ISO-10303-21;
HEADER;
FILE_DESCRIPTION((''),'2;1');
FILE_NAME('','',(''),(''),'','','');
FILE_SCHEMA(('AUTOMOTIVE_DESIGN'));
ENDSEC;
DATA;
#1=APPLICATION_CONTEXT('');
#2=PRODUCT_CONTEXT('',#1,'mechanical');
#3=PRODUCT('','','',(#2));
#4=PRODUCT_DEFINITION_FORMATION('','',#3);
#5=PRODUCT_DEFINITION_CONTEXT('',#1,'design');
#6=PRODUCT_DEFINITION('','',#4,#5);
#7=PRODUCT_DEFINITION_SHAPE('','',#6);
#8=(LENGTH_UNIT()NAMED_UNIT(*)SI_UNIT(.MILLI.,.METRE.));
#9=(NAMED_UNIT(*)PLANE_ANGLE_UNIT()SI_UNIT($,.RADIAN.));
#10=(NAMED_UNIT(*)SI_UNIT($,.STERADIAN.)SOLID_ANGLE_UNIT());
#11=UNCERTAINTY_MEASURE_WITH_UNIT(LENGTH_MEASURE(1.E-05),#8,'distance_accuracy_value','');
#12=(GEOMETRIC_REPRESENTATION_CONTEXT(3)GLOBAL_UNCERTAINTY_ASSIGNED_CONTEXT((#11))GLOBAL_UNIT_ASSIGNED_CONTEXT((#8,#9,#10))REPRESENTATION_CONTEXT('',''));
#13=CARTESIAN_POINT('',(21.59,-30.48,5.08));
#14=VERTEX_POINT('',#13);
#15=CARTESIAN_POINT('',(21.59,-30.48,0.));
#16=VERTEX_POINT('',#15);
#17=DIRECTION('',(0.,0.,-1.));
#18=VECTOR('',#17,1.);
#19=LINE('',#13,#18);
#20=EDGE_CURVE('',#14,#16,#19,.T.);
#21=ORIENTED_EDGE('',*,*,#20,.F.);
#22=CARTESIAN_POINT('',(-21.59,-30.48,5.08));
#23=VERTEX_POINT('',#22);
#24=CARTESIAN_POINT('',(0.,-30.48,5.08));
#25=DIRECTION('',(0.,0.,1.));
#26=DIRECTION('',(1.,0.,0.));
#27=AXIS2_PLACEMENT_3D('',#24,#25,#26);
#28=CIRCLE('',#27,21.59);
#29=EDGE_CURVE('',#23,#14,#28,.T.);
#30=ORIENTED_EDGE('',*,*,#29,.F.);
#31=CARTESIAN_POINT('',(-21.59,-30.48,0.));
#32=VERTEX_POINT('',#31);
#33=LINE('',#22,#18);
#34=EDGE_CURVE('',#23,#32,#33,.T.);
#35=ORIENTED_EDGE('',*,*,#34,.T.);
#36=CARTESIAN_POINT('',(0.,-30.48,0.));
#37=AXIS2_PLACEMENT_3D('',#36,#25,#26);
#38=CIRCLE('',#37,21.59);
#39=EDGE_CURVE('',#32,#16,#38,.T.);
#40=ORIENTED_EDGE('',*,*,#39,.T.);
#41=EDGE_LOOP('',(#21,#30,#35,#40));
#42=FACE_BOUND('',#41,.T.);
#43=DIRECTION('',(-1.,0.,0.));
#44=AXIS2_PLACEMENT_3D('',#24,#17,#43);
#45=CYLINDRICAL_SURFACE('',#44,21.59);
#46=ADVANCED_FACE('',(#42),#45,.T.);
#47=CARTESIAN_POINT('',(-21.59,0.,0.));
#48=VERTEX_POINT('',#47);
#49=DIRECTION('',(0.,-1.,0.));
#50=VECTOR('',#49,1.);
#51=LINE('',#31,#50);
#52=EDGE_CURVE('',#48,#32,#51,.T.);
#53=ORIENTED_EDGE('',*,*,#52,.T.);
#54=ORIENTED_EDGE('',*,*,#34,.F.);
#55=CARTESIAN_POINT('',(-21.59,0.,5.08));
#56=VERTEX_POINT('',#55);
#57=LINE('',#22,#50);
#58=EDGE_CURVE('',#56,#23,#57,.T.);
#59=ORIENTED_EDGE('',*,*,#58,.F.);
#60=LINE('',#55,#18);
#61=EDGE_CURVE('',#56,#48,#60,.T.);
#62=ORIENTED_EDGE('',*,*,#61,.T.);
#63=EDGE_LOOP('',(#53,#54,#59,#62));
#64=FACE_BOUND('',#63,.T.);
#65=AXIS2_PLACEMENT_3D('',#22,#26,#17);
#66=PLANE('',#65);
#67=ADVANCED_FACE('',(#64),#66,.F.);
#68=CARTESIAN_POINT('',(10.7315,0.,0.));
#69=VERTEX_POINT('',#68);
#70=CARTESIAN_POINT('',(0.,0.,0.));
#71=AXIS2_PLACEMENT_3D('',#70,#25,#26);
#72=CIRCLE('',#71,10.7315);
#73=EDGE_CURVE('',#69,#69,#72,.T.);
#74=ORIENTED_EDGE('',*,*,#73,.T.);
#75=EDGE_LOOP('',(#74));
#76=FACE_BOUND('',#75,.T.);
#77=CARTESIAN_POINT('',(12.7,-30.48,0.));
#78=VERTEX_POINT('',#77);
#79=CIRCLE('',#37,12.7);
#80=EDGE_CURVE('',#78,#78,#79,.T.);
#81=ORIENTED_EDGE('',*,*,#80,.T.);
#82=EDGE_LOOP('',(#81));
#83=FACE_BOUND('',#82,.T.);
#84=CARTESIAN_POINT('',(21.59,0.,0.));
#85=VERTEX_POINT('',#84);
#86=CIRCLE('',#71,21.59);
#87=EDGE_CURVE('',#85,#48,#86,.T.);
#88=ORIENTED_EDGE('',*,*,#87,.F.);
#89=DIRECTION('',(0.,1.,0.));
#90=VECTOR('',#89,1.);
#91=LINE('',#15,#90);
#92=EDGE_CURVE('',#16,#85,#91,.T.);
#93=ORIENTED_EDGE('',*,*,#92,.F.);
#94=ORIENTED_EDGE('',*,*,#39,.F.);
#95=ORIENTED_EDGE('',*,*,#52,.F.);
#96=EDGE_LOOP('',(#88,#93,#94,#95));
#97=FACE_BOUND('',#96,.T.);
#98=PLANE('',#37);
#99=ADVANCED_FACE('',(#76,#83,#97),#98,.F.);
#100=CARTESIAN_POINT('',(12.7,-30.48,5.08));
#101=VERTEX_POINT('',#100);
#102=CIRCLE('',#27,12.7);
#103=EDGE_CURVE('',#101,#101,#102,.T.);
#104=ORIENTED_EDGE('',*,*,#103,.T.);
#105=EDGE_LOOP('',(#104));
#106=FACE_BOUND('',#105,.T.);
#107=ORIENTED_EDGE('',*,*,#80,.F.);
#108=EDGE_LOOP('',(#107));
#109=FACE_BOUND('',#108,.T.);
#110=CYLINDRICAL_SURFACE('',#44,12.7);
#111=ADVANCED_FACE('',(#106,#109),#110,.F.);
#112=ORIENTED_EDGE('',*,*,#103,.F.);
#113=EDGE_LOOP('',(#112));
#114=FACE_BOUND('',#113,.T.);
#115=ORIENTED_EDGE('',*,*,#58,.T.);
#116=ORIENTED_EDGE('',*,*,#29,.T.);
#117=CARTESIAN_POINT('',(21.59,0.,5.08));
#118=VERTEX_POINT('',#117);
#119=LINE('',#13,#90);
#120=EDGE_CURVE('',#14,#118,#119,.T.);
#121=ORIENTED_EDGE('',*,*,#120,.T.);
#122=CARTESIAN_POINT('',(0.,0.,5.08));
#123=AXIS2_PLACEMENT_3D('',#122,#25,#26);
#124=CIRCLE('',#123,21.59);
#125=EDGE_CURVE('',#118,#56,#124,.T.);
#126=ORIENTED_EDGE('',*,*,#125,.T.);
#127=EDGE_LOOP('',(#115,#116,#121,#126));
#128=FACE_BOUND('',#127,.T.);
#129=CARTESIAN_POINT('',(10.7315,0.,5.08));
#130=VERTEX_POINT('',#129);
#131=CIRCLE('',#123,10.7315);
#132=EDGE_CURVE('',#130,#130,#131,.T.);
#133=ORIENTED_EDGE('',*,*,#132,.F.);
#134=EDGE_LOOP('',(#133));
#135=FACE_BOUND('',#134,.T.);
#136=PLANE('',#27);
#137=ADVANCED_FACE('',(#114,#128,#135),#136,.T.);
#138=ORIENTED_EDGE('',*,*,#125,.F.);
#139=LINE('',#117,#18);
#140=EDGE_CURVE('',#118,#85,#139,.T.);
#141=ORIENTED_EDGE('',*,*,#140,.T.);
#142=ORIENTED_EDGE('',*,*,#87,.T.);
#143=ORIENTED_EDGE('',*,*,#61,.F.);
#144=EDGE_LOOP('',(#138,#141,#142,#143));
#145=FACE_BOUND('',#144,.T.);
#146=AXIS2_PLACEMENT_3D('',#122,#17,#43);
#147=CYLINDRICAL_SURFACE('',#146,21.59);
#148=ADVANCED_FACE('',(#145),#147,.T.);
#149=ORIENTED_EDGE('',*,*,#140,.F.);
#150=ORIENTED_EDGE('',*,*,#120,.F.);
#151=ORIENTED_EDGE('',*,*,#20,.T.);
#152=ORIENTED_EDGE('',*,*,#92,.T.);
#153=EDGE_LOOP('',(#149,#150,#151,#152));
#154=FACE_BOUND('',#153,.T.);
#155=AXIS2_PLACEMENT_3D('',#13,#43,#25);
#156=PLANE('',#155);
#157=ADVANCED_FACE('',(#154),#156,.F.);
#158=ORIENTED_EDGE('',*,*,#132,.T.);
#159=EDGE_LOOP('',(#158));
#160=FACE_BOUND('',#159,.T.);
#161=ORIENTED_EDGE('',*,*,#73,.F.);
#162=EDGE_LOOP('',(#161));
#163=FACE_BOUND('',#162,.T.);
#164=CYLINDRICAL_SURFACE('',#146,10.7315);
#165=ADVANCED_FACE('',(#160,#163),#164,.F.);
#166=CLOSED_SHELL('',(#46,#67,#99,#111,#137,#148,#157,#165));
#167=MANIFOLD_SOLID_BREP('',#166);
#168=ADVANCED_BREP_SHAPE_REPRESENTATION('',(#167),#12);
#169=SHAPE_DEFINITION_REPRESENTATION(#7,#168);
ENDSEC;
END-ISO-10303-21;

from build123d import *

# Parameters (mm, degrees)
SKETCH1_R           = 10.7315
SKETCH1_R_2         = 12.7
BOSS_EXTRUDE1_DEPTH = 5.08


with BuildPart() as part:
    # Sketch1 → Boss-Extrude1 (new body)
    with BuildSketch(Plane.XY):
        with BuildLine():
            Line((-21.59, -30.48), (-21.59, 0))
            ThreePointArc((-21.59, 0), (0, 21.59), (21.59, 0))
            Line((21.59, 0), (21.59, -30.48))
            ThreePointArc((21.59, -30.48), (0, -52.07), (-21.59, -30.48))
        make_face()
        Circle(SKETCH1_R, mode=Mode.SUBTRACT)
        with Locations((0, -30.48)):
            Circle(SKETCH1_R_2, mode=Mode.SUBTRACT)
    extrude(amount=BOSS_EXTRUDE1_DEPTH)


solid = part.part
